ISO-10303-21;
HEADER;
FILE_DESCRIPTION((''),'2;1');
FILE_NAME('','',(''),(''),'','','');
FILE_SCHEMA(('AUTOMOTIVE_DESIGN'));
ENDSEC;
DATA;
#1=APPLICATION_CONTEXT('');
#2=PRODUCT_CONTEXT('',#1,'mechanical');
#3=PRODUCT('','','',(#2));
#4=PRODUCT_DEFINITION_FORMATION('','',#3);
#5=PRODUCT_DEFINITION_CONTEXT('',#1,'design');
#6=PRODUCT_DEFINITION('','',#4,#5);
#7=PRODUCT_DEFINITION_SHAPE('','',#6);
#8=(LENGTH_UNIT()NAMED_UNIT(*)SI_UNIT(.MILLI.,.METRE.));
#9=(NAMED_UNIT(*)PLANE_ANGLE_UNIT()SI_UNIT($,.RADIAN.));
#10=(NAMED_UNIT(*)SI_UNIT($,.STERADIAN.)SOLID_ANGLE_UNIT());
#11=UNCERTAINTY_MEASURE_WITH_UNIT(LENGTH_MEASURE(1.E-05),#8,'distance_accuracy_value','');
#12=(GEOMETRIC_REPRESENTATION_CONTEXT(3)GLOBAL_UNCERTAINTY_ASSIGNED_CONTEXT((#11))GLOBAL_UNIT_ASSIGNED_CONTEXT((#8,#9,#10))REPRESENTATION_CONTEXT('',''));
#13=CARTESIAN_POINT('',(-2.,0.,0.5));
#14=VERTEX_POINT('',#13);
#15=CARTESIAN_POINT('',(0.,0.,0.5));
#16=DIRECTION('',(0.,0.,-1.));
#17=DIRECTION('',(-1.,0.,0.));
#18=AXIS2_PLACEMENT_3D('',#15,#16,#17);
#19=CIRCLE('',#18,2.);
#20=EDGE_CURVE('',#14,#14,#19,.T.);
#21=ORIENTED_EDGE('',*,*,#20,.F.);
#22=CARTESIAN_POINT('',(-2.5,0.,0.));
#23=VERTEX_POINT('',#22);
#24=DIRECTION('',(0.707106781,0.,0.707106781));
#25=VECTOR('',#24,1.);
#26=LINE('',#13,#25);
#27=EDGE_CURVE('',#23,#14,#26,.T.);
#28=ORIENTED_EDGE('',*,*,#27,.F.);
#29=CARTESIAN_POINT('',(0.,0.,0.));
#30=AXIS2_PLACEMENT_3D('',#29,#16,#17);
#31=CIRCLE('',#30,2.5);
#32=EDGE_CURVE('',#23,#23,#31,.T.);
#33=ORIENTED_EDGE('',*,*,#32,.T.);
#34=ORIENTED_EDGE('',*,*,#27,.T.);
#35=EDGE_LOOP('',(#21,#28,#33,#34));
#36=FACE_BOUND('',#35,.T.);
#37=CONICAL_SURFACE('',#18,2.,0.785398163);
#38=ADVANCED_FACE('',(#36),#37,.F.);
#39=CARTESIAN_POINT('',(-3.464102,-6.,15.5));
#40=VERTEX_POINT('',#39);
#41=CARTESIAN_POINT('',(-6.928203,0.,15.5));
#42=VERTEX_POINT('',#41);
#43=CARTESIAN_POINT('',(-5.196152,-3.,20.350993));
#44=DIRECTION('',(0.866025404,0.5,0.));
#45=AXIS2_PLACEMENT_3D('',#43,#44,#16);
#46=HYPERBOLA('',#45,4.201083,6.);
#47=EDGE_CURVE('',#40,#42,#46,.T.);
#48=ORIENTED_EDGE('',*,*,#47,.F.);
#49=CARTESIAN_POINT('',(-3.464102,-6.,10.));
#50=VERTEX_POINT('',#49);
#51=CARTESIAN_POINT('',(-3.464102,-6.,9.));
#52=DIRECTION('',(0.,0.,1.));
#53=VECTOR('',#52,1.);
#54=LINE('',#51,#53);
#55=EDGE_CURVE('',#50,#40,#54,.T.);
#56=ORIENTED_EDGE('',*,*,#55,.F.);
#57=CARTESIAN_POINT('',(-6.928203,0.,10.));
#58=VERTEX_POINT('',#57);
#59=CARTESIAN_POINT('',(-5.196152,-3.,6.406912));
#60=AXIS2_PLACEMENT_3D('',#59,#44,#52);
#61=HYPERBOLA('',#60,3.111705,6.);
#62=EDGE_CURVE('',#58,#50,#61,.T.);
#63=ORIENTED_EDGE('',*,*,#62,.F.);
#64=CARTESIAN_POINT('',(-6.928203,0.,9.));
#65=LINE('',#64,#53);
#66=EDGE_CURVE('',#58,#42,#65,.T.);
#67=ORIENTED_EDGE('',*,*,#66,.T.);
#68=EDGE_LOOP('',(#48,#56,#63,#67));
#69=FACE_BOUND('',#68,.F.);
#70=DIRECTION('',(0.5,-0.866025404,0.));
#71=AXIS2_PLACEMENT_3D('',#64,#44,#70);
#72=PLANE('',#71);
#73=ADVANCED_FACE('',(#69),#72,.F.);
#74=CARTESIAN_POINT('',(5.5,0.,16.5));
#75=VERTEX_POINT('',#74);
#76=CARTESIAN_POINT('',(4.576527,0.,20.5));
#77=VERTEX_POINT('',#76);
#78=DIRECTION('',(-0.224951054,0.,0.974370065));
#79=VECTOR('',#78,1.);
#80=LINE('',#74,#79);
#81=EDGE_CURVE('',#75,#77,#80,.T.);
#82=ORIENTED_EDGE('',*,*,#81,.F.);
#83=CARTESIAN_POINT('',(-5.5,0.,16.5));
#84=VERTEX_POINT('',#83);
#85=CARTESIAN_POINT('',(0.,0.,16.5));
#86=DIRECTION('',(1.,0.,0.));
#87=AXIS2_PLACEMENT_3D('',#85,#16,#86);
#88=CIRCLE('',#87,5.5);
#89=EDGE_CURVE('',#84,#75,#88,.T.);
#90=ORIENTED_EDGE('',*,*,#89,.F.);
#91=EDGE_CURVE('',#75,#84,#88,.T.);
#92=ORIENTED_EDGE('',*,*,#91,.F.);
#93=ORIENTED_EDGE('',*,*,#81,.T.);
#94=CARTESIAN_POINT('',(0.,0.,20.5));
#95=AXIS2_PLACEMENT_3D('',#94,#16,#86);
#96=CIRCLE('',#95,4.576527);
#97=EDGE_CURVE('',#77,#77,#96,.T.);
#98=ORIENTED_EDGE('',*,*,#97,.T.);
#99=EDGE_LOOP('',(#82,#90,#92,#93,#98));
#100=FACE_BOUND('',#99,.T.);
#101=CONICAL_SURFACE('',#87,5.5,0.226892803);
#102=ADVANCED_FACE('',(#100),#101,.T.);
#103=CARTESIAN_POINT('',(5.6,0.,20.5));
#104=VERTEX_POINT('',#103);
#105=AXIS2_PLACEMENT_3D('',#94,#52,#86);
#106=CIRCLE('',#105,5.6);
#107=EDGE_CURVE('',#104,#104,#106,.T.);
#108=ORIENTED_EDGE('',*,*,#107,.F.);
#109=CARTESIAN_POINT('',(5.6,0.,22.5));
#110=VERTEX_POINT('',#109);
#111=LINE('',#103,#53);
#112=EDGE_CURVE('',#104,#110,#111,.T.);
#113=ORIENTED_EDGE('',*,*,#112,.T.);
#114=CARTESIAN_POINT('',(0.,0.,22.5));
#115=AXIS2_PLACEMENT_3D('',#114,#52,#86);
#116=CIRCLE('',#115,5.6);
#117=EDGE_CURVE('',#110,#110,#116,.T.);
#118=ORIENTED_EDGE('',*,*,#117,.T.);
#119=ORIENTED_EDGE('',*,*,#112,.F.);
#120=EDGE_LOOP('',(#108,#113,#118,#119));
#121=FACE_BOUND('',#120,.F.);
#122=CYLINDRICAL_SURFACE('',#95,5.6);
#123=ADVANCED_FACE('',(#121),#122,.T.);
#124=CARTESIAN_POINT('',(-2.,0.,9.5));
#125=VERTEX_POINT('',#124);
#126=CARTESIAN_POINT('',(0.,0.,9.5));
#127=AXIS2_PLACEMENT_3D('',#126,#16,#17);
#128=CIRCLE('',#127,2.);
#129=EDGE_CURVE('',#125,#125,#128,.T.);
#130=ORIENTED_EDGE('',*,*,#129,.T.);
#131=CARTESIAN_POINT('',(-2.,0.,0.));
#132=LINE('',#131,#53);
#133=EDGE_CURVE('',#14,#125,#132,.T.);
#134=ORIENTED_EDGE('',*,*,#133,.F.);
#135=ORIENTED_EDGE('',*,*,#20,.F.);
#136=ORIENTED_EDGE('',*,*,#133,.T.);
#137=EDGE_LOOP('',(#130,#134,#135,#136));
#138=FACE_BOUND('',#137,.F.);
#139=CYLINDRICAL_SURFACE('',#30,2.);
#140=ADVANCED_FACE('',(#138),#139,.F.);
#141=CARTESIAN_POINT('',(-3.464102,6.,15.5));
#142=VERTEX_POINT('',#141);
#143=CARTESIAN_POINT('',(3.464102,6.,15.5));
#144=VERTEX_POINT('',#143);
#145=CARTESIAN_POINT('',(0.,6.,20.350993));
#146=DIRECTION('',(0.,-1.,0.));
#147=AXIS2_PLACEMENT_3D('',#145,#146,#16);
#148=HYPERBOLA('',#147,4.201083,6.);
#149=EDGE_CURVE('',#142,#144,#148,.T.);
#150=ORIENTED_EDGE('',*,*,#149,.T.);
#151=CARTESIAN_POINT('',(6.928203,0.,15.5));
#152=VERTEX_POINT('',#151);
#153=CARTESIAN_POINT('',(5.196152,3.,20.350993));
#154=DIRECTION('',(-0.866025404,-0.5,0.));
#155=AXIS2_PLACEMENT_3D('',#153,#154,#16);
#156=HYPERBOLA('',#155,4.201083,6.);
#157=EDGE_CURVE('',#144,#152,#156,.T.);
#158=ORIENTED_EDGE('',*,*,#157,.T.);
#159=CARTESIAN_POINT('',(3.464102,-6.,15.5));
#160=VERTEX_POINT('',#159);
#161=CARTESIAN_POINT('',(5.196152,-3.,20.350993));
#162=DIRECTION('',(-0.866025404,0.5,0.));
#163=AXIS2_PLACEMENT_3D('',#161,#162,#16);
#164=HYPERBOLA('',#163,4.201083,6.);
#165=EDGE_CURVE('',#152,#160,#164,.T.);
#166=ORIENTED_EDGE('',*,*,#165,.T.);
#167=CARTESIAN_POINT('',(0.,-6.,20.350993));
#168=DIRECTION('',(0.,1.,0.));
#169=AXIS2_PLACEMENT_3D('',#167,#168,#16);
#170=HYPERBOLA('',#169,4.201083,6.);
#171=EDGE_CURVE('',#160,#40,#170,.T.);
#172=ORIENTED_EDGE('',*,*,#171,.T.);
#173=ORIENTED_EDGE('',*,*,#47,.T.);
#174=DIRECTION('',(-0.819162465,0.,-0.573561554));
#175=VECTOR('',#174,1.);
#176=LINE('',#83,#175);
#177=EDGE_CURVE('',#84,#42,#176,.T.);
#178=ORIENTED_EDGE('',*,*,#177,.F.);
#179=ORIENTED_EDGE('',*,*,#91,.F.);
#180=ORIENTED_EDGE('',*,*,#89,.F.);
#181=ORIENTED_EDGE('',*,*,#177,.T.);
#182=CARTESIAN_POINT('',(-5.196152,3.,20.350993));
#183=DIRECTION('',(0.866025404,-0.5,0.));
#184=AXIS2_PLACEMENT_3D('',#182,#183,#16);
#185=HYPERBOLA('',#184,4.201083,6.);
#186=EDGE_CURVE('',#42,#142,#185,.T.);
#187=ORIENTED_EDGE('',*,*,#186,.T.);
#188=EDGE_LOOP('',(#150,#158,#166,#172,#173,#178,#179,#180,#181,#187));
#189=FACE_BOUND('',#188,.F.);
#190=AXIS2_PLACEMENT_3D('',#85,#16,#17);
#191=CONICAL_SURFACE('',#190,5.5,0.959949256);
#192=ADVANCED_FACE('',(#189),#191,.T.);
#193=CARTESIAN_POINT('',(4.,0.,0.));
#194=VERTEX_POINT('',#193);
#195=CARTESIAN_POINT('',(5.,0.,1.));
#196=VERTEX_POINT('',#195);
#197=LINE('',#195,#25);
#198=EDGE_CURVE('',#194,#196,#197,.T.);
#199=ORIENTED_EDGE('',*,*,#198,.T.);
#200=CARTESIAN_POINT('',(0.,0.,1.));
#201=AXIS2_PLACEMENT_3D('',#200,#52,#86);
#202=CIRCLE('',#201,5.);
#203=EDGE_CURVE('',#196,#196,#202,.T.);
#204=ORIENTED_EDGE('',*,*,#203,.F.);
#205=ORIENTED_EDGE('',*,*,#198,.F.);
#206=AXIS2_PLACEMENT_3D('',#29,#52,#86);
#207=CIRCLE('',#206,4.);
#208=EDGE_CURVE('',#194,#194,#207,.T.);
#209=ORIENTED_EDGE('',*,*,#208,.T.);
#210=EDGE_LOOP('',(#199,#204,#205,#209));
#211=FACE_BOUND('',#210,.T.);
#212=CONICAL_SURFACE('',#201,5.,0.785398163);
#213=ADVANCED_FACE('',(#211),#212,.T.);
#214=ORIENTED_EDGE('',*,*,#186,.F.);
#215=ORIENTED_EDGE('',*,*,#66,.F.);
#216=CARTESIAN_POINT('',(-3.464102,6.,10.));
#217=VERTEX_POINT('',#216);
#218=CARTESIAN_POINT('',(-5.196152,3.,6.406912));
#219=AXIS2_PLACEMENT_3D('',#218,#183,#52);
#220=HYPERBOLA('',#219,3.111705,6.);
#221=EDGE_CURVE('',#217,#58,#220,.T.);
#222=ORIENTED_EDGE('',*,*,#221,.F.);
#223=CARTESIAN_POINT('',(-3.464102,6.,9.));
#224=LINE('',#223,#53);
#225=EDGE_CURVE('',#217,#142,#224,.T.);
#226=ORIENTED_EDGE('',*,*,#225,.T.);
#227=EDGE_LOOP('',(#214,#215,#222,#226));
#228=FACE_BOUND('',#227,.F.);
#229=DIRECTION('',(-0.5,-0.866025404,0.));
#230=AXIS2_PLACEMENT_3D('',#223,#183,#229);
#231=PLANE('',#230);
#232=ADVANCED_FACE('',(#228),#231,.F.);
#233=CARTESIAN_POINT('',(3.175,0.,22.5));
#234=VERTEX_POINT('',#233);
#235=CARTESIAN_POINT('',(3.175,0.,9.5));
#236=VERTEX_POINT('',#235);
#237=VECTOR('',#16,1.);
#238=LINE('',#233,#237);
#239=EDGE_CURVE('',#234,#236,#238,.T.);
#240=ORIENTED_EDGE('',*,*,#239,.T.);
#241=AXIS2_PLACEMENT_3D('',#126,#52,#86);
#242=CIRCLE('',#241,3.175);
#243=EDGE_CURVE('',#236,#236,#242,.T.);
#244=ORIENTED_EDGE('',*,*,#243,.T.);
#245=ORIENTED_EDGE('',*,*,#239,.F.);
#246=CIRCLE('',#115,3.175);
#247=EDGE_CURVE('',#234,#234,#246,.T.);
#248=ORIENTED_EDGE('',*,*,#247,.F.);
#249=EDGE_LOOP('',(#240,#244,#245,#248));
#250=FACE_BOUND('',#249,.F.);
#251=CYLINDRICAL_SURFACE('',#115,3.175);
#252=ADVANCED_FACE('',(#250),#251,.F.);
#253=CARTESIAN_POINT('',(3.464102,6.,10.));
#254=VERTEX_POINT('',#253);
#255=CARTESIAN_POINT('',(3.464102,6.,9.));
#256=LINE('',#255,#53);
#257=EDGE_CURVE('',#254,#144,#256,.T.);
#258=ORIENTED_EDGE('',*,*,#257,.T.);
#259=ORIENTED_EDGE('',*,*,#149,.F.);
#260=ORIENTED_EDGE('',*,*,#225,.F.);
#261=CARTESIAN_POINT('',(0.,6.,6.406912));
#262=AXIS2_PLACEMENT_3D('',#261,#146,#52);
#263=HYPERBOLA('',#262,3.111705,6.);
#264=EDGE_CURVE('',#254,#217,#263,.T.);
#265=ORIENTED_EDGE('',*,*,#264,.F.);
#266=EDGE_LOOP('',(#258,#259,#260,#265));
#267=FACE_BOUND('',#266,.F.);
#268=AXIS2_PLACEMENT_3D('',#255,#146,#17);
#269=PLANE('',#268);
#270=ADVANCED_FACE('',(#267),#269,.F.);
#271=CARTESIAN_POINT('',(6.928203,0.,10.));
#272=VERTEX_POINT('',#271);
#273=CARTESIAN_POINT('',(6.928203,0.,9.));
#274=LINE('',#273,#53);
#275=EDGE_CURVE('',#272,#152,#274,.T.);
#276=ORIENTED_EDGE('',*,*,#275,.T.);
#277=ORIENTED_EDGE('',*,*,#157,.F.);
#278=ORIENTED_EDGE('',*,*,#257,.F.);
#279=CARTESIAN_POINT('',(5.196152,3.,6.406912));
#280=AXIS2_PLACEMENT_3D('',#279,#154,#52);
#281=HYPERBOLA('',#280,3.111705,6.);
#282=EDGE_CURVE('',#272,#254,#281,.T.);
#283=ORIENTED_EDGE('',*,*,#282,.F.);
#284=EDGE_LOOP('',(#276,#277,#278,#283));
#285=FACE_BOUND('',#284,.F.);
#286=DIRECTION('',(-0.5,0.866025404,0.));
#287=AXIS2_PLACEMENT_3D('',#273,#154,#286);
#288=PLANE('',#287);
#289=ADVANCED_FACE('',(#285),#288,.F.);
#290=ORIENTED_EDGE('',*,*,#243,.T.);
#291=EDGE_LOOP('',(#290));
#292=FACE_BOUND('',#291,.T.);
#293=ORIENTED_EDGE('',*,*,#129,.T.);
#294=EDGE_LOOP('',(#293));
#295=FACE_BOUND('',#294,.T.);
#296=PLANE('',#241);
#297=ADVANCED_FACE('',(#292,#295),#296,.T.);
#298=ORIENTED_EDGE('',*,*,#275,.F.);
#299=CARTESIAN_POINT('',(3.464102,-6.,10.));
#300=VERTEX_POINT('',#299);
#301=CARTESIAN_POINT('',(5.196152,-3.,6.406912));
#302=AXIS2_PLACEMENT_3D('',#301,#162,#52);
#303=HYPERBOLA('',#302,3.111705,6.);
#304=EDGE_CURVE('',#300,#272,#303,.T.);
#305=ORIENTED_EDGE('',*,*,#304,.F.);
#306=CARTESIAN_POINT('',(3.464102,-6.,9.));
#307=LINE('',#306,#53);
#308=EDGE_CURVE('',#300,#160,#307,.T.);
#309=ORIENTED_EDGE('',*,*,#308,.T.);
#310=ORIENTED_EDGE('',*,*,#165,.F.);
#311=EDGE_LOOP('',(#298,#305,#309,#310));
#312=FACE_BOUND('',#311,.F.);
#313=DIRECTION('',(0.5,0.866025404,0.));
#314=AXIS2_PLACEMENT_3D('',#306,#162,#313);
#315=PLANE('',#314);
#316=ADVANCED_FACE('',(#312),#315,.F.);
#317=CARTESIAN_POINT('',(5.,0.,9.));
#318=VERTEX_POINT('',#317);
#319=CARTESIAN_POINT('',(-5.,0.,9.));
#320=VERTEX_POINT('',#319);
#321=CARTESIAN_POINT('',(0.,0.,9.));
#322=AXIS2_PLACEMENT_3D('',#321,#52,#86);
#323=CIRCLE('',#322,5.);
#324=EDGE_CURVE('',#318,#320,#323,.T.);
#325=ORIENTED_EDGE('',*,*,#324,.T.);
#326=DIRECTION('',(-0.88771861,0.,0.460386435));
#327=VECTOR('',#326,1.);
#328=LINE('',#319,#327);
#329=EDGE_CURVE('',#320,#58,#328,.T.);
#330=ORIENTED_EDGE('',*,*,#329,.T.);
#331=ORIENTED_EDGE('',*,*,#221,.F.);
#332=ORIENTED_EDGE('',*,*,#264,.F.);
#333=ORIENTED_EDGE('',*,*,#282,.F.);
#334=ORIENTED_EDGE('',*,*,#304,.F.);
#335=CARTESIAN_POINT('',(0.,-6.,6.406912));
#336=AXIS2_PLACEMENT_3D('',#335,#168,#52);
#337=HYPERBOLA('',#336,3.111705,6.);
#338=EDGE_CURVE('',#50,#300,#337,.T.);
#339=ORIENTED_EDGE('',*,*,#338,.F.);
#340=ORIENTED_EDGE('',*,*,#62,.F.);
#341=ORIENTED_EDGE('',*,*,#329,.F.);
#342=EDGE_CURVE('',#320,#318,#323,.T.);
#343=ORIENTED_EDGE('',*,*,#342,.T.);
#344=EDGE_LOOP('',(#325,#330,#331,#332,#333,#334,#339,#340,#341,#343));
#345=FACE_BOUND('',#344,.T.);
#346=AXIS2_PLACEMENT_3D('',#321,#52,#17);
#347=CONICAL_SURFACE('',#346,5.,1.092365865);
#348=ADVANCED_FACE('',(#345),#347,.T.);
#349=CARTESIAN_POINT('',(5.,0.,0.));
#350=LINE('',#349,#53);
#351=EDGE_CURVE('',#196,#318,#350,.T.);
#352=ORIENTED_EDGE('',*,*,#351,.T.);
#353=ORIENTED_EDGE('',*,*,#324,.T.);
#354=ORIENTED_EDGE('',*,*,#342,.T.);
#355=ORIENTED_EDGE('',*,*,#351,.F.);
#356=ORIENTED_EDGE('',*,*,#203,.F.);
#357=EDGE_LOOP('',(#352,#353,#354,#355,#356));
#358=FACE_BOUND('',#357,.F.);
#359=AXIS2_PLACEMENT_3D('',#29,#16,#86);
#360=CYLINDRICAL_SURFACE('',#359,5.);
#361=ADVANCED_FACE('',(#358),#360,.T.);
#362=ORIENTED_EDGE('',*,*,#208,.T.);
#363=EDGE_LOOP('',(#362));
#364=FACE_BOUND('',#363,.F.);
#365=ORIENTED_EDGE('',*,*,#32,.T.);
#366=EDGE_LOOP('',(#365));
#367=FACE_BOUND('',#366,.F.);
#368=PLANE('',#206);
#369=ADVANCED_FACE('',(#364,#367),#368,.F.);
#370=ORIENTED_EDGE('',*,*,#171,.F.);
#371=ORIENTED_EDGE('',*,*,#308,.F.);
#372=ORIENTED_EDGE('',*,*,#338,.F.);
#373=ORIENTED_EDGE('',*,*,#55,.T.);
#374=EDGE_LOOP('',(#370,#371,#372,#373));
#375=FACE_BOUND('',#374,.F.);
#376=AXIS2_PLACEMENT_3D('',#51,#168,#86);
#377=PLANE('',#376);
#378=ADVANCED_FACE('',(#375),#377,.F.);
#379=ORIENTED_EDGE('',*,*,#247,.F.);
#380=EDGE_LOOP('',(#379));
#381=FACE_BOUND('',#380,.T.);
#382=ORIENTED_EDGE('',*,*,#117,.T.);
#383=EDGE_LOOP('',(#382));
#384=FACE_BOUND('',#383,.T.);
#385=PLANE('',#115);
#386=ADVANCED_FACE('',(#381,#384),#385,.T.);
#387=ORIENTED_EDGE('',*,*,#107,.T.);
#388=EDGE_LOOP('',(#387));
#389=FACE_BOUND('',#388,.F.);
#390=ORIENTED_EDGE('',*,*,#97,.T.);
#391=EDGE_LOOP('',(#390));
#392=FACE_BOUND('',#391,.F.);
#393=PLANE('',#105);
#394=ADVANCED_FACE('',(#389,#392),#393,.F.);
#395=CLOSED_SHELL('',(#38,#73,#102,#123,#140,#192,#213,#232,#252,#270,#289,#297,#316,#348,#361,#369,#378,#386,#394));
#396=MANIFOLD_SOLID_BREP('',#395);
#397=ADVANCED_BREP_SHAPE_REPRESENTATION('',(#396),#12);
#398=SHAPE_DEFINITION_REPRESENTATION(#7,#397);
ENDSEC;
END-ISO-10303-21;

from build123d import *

# Parameters (mm, degrees)
SKETCH1_R           = 5
BOSS_EXTRUDE1_DEPTH = 9
BOSS_EXTRUDE2_DEPTH = 7.5
SKETCH3_R           = 5.5
BOSS_EXTRUDE3_DEPTH = 4
BOSS_EXTRUDE3_TAPER = 13
SKETCH4_R           = 5.6
BOSS_EXTRUDE4_DEPTH = 2
SKETCH5_R           = 3.175
CUT_EXTRUDE1_DEPTH  = 13
SKETCH6_R           = 2
CUT_EXTRUDE2_DEPTH  = 25.295061227
CHAMFER1_SIZE       = 1
CHAMFER2_SIZE       = 0.5


with BuildPart() as part:
    # Sketch1 → Boss-Extrude1 (new body)
    with BuildSketch(Plane.XY):
        Circle(SKETCH1_R)
    extrude(amount=BOSS_EXTRUDE1_DEPTH)

    # Sketch2 → Boss-Extrude2 (add)
    with BuildSketch(Plane.XY.offset(9)):
        Polygon((6.92820323, 0), (3.464101615, 6), (-3.464101615, 6), (-6.92820323, 0), (-3.464101615, -6), (3.464101615, -6), align=None)
    extrude(amount=BOSS_EXTRUDE2_DEPTH)

    # Sketch3 → Boss-Extrude3 (add)
    with BuildSketch(Plane.XY.offset(16.5)):
        Circle(SKETCH3_R)
    extrude(amount=BOSS_EXTRUDE3_DEPTH, taper=BOSS_EXTRUDE3_TAPER)

    # Sketch4 → Boss-Extrude4 (add)
    with BuildSketch(Plane.XY.offset(20.5)):
        Circle(SKETCH4_R)
    extrude(amount=BOSS_EXTRUDE4_DEPTH)

    # Sketch5 → Cut-Extrude1 (cut)
    with BuildSketch(Plane.XY.offset(22.5)):
        Circle(SKETCH5_R)
    extrude(amount=-CUT_EXTRUDE1_DEPTH, mode=Mode.SUBTRACT)

    # Sketch6 → Cut-Extrude2 (cut, through all)
    with BuildSketch(Plane(origin=(0, 0, 0), x_dir=(-1, 0, 0), z_dir=(0, 0, -1))):
        Circle(SKETCH6_R)
    extrude(amount=-CUT_EXTRUDE2_DEPTH, mode=Mode.SUBTRACT)

    # Sketch7 → Cut-Revolve1 (revolve, cut)
    with BuildSketch(Plane(origin=(0, 0, 0), x_dir=(1, 0, 0), z_dir=(0, 1, 0))):
        Polygon((5, -9), (6.92820323, -10), (6.92820323, -9), align=None)
        Polygon((6.92820323, -15.5), (6.92820323, -16.5), (5.5, -16.5), align=None)
    revolve(axis=Axis((0, 0, -1.125), (0, 0, 1)), mode=Mode.SUBTRACT)

    # Chamfer1
    chamfer1_edges = [part.edges().sort_by_distance(p)[0] for p in [
        (-5, 0, 0),
    ]]
    chamfer(chamfer1_edges, length=CHAMFER1_SIZE)

    # Chamfer2
    chamfer2_edges = [part.edges().sort_by_distance(p)[0] for p in [
        (2, 0, 0),
    ]]
    chamfer(chamfer2_edges, length=CHAMFER2_SIZE)


solid = part.part
